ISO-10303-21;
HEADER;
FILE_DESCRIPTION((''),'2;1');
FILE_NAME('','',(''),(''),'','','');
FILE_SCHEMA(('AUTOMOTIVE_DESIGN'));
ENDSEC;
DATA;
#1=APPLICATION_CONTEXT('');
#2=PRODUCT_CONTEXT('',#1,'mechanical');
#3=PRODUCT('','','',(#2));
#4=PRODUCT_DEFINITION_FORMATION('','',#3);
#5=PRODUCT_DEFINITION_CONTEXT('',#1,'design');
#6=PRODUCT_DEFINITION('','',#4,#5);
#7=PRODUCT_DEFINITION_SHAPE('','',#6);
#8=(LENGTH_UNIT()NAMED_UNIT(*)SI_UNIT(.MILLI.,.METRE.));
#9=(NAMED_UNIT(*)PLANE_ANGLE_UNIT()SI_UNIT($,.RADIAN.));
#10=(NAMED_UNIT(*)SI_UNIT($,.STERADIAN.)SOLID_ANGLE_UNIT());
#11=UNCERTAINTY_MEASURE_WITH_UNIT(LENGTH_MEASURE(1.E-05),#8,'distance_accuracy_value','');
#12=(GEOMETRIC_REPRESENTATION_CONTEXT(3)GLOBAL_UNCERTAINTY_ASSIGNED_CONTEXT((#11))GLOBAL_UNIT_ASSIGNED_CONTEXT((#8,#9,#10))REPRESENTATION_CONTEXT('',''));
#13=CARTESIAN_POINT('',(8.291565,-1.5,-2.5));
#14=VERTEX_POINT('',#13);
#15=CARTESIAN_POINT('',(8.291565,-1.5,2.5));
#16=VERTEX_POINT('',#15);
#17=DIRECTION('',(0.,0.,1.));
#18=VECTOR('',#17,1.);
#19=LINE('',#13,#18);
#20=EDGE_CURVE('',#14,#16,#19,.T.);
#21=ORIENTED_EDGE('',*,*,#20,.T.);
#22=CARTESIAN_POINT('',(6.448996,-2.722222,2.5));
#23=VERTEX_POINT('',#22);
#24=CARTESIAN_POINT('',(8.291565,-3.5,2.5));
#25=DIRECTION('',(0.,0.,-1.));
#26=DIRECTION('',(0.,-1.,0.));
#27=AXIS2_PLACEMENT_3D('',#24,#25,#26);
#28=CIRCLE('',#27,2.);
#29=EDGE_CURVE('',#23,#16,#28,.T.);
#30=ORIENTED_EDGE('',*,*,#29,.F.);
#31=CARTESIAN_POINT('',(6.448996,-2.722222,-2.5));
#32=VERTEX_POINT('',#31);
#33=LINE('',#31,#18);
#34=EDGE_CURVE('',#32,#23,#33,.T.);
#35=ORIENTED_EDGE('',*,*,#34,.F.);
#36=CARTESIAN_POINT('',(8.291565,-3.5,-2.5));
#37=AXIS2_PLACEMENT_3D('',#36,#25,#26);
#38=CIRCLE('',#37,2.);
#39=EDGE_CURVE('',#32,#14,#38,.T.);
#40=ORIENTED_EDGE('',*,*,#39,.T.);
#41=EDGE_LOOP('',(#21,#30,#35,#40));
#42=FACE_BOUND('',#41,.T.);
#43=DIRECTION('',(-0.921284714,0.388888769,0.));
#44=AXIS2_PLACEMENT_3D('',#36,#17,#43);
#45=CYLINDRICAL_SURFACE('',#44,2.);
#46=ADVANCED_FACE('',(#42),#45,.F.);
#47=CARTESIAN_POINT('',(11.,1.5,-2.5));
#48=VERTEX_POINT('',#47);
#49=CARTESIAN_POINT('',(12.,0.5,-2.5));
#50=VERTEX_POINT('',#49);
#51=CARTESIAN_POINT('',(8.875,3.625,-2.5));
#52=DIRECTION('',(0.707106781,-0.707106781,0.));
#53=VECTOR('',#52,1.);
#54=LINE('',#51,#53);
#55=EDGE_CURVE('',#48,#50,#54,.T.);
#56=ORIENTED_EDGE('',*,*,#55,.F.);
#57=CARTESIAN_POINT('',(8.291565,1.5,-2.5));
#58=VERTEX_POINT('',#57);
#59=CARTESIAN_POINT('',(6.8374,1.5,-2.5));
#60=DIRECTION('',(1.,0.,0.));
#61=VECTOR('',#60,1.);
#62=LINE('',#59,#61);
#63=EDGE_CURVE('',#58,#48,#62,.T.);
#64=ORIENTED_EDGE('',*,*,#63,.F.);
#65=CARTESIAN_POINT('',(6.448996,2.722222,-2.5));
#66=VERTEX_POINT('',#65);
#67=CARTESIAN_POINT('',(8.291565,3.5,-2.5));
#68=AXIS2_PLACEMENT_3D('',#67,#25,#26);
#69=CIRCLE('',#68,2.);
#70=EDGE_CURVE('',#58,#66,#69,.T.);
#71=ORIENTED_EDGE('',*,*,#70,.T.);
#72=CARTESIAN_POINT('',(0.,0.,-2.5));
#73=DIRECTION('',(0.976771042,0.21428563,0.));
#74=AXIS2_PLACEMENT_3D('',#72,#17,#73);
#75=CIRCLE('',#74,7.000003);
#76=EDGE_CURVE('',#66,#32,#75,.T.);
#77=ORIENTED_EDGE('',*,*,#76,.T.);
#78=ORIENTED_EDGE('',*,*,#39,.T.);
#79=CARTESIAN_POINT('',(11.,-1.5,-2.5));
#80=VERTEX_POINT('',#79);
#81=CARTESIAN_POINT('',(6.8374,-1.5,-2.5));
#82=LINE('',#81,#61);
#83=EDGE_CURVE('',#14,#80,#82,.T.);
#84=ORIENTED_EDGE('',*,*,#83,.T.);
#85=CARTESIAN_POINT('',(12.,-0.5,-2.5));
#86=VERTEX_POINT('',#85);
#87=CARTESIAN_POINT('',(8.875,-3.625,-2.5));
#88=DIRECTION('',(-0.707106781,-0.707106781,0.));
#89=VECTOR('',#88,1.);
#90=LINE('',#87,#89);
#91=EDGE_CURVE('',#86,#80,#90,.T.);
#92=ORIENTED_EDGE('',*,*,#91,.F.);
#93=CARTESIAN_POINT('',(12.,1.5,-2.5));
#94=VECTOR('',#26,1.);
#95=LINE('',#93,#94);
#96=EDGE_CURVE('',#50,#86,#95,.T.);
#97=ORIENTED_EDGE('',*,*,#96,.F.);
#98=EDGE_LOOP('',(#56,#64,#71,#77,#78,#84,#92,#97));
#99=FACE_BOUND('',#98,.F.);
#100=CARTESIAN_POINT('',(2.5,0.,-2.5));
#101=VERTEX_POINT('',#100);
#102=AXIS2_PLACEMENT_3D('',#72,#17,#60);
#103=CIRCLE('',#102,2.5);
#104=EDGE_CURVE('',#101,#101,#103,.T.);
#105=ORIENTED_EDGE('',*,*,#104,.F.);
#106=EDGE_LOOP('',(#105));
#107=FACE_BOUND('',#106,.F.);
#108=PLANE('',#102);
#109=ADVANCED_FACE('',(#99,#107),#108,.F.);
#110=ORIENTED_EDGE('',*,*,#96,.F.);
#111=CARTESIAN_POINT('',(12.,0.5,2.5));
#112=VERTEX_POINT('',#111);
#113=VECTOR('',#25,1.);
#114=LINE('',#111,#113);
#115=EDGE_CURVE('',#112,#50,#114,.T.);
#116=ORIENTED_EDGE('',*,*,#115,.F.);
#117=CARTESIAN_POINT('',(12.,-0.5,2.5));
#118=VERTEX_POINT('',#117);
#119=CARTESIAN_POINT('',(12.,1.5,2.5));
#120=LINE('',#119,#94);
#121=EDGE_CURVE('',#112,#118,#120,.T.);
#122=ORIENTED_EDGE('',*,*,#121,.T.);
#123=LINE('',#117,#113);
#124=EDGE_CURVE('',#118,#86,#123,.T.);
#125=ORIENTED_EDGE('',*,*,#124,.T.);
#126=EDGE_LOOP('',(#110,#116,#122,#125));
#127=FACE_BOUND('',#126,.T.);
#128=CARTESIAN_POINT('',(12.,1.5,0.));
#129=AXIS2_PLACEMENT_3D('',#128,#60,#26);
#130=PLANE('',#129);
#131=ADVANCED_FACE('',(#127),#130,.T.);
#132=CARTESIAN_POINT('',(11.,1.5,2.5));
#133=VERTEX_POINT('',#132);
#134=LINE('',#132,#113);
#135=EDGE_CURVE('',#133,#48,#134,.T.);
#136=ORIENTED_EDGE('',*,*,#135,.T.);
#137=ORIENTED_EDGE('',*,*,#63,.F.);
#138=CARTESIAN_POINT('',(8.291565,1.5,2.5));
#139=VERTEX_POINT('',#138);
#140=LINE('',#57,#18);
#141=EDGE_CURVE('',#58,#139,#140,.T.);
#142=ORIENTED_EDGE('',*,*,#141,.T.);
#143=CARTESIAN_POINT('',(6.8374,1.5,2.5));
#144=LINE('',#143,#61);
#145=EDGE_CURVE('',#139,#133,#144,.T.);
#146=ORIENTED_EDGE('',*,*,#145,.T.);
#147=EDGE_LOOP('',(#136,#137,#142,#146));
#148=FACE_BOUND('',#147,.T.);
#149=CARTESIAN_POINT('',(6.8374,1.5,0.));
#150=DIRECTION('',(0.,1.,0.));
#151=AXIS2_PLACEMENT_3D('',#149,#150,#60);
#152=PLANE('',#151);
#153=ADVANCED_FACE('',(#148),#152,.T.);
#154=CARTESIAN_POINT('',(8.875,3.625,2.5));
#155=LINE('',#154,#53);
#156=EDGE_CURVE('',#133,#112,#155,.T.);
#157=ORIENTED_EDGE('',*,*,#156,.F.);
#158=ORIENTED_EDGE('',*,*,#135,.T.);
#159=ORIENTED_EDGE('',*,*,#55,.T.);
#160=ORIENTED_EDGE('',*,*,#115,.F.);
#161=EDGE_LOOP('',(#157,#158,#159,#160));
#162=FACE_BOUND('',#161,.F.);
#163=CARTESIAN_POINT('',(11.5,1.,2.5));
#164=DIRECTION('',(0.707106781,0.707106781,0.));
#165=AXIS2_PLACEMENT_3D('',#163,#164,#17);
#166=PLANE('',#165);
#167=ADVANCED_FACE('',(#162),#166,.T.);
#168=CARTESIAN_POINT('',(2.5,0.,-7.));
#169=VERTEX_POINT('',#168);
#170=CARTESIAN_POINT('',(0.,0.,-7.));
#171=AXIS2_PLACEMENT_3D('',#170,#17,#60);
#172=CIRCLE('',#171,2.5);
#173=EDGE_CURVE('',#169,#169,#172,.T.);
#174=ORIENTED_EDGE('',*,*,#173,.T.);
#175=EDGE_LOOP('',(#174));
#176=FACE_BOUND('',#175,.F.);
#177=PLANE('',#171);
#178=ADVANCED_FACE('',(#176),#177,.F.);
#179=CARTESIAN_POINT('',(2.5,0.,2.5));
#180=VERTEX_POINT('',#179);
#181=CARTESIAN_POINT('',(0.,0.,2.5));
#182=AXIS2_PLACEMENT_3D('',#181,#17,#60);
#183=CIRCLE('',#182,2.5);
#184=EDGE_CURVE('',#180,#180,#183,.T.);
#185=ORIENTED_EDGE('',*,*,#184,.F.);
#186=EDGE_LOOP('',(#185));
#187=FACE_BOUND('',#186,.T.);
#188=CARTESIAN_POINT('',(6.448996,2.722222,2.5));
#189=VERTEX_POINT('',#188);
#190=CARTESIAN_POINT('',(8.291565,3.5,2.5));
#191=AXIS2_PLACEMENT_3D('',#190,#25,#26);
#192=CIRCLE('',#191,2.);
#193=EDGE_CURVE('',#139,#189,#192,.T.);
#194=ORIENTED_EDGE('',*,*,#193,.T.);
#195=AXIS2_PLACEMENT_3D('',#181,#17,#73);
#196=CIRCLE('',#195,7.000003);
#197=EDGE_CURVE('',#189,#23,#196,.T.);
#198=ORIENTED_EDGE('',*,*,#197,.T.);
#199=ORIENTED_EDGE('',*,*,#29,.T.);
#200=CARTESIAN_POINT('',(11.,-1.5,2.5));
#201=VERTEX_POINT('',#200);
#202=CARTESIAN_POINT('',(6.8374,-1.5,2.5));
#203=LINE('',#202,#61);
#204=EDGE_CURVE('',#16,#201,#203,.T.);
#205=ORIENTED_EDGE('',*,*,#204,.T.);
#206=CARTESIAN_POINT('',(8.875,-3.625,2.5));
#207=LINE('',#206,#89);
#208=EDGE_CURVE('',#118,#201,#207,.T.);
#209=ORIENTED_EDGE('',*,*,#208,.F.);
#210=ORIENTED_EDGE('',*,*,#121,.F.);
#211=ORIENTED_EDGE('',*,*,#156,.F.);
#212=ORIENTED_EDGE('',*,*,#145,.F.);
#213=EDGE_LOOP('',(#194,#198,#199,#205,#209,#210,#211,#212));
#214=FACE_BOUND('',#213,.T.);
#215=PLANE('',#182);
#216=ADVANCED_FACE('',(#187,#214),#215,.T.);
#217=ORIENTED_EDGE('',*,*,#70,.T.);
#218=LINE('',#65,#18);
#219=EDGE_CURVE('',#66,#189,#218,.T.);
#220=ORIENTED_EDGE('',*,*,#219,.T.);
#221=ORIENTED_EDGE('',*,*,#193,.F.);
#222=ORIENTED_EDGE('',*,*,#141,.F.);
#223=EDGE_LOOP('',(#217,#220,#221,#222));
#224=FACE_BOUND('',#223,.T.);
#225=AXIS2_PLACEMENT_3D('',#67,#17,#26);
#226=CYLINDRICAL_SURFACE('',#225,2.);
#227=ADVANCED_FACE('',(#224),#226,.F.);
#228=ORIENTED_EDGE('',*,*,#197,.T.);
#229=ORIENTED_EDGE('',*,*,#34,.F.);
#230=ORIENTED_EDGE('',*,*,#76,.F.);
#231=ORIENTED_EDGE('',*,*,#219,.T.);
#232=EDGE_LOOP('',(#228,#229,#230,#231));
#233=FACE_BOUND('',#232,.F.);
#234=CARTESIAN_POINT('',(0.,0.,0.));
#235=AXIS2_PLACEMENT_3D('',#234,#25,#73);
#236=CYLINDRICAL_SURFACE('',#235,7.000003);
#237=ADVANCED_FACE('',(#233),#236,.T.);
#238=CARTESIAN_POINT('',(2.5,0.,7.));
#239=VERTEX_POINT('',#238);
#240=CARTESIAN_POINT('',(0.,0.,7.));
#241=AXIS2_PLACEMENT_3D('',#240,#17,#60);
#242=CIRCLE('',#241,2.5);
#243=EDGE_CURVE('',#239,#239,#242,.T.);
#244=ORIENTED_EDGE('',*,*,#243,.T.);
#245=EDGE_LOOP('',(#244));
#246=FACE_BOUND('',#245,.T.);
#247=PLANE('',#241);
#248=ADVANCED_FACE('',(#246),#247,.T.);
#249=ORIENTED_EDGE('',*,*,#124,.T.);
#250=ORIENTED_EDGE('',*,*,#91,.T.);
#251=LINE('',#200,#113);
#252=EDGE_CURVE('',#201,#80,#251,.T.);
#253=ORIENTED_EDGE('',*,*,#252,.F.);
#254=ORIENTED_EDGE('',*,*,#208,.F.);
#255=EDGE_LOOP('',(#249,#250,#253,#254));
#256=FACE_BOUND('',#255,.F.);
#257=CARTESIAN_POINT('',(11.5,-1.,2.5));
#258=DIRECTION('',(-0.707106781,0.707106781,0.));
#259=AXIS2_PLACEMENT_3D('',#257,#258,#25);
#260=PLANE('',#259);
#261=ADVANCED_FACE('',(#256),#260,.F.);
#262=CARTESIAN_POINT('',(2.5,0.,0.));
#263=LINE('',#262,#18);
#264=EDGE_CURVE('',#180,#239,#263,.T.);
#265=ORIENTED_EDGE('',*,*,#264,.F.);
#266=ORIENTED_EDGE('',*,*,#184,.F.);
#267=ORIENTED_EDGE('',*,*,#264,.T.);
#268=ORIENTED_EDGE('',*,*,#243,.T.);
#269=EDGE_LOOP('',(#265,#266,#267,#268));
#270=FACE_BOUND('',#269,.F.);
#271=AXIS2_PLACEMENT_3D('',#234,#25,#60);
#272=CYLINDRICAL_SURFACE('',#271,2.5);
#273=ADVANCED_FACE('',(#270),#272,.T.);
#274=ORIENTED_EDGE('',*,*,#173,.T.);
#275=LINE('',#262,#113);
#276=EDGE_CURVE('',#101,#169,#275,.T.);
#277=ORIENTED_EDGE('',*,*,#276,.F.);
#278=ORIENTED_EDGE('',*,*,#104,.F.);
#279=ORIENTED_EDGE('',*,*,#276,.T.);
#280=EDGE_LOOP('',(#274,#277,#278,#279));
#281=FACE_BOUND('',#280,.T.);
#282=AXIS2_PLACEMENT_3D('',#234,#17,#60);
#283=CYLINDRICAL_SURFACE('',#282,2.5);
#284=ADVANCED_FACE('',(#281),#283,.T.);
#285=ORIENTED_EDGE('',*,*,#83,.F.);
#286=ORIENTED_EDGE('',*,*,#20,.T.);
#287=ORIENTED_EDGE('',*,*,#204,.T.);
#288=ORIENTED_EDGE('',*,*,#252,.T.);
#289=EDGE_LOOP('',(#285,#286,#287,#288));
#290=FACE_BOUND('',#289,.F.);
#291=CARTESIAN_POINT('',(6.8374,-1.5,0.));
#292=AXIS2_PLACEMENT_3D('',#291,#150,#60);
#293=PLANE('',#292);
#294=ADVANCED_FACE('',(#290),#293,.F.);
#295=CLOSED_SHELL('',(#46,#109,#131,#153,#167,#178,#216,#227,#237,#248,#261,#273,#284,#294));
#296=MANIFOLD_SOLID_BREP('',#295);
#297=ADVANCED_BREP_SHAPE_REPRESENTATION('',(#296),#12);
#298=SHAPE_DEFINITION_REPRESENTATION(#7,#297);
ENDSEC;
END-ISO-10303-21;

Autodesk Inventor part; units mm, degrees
ref_plane "YZ Plane" through (0, 0, 0) normal (1, 0, 0) x (0, 1, 0)
ref_plane "XZ Plane" through (0, 0, 0) normal (0, 1, 0) x (-1, 0, 0)
ref_plane "XY Plane" through (0, 0, 0) normal (0, 0, 1) x (1, 0, 0)
sketch "스케치1" plane through (0, 0, 0) normal (0, 0, 1) x (1, 0, 0)
  circle A0 centre (0, 0) radius 2.5
  arc A1 (6.8374, 1.5) -> (6.8374, -1.5) centre (0, 0) ccw
  line L0 (6.8374, 1.5) -> (12, 1.5)
  line L1 (6.8374, -1.5) -> (12, -1.5)
  line L2 (12, 1.5) -> (12, -1.5)
  dimension "d0" = 5
  dimension "d1" = 14
  dimension "d2" = 3
  dimension "d3" = 1.5
  dimension "d4" = 12
extrude "돌출1" add sketch "스케치1" along normal mid plane 5
extrude "돌출2" add sketch "스케치1" along normal mid plane 14 contours A0
chamfer "모따기1" distance 1 angle 45 2 edges at (12, 1.5, 0) (12, -1.5, 0)
fillet "모깎기1" radius 2 2 edges at (6.8374, 1.5, 0) (6.8374, -1.5, 0)
properties part number "2번부품"
